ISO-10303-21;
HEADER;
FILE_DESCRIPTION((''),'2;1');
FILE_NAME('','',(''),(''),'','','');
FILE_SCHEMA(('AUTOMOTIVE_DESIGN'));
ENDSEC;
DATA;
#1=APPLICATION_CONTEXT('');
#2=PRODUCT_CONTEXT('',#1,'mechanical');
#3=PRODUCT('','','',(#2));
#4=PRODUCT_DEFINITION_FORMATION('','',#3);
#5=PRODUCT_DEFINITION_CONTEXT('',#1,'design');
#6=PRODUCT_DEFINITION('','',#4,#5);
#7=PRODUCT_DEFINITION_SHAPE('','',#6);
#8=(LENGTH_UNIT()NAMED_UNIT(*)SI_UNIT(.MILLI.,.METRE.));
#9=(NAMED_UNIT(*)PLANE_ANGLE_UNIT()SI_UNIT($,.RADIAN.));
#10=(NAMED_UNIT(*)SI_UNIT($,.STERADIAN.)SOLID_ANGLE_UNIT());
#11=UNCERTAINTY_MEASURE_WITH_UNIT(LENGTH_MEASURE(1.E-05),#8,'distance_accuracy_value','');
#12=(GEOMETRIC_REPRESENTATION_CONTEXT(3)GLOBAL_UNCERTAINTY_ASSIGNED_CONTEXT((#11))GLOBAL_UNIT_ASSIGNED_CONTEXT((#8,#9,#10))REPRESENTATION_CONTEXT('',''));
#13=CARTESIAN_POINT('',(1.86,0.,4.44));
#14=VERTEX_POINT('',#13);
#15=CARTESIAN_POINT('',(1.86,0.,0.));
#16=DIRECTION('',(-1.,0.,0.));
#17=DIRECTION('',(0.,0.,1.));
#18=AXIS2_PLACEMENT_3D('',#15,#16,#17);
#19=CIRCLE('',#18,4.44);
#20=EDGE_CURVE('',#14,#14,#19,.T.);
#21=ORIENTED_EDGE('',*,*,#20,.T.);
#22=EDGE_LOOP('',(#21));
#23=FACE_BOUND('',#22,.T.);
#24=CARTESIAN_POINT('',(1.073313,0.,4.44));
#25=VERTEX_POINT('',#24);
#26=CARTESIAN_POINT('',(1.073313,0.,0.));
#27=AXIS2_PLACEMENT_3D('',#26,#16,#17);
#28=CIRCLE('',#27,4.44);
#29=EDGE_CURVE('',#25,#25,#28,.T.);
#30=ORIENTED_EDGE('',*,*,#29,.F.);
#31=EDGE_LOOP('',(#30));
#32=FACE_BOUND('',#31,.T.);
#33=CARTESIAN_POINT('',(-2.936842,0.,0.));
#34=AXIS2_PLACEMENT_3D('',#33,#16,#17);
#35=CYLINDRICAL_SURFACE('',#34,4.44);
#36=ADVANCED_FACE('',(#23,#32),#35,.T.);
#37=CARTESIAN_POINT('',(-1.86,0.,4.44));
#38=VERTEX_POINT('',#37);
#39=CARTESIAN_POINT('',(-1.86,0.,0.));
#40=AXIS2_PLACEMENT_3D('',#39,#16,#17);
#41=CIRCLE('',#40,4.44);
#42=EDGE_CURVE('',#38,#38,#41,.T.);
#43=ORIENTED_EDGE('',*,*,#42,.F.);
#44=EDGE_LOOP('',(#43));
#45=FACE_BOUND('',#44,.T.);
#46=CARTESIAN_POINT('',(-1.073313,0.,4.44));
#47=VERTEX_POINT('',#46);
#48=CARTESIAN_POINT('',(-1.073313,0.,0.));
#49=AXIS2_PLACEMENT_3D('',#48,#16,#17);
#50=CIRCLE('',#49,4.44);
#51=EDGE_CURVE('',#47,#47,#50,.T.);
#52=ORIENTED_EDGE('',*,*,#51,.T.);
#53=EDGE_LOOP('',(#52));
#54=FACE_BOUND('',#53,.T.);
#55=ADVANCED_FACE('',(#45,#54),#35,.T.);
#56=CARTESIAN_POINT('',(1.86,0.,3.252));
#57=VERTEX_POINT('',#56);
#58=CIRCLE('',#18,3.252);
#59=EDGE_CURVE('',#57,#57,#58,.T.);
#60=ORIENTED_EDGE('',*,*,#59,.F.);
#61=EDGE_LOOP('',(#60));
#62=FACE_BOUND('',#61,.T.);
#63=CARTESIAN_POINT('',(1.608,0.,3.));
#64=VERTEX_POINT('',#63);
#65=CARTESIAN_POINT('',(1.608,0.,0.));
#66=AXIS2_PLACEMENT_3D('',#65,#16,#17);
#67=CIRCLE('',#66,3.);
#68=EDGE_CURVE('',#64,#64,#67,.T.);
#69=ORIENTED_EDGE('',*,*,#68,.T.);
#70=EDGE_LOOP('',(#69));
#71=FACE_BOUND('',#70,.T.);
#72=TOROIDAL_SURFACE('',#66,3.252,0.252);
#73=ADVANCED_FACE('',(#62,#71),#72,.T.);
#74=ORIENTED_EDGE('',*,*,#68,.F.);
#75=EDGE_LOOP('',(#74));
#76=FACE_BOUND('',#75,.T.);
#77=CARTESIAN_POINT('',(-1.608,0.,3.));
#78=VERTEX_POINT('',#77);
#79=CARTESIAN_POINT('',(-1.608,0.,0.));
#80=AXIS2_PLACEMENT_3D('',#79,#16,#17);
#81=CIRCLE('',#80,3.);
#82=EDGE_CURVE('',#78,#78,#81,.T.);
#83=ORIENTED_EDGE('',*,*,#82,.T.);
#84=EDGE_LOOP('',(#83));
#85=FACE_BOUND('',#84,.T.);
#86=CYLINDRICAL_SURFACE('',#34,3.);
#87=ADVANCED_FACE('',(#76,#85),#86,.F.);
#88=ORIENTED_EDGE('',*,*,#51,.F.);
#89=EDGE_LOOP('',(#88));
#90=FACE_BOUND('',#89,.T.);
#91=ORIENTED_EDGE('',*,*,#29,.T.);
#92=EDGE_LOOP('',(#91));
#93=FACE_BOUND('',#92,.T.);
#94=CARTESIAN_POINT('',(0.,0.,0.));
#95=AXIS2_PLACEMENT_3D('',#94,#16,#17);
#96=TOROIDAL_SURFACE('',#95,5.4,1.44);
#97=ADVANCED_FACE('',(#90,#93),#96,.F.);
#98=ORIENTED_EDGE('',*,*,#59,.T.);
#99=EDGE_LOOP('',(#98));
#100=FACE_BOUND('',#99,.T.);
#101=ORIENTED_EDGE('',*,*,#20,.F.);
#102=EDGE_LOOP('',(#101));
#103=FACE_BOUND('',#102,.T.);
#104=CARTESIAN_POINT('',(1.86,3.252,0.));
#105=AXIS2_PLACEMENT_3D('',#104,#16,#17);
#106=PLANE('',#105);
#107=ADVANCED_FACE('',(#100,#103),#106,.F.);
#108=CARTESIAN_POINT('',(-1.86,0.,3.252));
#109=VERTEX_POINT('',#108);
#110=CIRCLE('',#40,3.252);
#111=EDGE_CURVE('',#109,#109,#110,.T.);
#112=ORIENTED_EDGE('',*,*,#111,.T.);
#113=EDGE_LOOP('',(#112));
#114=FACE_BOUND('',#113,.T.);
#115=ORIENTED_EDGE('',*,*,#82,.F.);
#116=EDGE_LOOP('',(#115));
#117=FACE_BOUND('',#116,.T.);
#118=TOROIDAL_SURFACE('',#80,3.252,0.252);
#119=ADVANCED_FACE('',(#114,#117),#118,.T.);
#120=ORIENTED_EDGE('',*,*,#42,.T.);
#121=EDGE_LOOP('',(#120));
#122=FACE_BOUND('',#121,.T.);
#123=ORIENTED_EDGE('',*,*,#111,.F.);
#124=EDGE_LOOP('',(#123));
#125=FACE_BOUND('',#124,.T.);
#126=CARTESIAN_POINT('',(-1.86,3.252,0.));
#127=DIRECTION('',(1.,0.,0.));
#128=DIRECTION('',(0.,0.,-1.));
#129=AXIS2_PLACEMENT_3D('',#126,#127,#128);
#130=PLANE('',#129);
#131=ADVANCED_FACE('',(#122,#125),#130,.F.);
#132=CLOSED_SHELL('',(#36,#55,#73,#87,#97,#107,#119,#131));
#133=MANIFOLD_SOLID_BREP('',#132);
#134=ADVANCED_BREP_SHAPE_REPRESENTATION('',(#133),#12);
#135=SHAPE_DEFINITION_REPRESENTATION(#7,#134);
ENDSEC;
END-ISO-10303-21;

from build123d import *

# Parameters (mm, degrees)
SCALE1_SCALE = 1.2
SCALE2_SCALE = 0.1


with BuildPart() as part:
    # Sketch1 → Revolve1 (revolve)
    with BuildSketch(Plane.XY):
        with BuildLine():
            Line((-13.4, 25), (13.4, 25))
            ThreePointArc((13.4, 25), (14.88492424, 25.61507576), (15.5, 27.1))
            Line((15.5, 27.1), (15.5, 37))
            Line((15.5, 37), (8.94427191, 37))
            ThreePointArc((8.94427191, 37), (0, 33), (-8.94427191, 37))
            Line((-8.94427191, 37), (-15.5, 37))
            Line((-15.5, 37), (-15.5, 27.1))
            ThreePointArc((-15.5, 27.1), (-14.88492424, 25.61507576), (-13.4, 25))
        make_face()
    revolve(axis=Axis((-24.473684211, 0, 0), (1, 0, 0)))


with BuildPart() as part_1:
    # Scale1: scaled about (0, 0, 0)
    add(part.part.scale(SCALE1_SCALE))


with BuildPart() as part_2:
    # Scale2: scaled about (0, 0, 0)
    add(part_1.part.scale(SCALE2_SCALE))


solid = part_2.part
